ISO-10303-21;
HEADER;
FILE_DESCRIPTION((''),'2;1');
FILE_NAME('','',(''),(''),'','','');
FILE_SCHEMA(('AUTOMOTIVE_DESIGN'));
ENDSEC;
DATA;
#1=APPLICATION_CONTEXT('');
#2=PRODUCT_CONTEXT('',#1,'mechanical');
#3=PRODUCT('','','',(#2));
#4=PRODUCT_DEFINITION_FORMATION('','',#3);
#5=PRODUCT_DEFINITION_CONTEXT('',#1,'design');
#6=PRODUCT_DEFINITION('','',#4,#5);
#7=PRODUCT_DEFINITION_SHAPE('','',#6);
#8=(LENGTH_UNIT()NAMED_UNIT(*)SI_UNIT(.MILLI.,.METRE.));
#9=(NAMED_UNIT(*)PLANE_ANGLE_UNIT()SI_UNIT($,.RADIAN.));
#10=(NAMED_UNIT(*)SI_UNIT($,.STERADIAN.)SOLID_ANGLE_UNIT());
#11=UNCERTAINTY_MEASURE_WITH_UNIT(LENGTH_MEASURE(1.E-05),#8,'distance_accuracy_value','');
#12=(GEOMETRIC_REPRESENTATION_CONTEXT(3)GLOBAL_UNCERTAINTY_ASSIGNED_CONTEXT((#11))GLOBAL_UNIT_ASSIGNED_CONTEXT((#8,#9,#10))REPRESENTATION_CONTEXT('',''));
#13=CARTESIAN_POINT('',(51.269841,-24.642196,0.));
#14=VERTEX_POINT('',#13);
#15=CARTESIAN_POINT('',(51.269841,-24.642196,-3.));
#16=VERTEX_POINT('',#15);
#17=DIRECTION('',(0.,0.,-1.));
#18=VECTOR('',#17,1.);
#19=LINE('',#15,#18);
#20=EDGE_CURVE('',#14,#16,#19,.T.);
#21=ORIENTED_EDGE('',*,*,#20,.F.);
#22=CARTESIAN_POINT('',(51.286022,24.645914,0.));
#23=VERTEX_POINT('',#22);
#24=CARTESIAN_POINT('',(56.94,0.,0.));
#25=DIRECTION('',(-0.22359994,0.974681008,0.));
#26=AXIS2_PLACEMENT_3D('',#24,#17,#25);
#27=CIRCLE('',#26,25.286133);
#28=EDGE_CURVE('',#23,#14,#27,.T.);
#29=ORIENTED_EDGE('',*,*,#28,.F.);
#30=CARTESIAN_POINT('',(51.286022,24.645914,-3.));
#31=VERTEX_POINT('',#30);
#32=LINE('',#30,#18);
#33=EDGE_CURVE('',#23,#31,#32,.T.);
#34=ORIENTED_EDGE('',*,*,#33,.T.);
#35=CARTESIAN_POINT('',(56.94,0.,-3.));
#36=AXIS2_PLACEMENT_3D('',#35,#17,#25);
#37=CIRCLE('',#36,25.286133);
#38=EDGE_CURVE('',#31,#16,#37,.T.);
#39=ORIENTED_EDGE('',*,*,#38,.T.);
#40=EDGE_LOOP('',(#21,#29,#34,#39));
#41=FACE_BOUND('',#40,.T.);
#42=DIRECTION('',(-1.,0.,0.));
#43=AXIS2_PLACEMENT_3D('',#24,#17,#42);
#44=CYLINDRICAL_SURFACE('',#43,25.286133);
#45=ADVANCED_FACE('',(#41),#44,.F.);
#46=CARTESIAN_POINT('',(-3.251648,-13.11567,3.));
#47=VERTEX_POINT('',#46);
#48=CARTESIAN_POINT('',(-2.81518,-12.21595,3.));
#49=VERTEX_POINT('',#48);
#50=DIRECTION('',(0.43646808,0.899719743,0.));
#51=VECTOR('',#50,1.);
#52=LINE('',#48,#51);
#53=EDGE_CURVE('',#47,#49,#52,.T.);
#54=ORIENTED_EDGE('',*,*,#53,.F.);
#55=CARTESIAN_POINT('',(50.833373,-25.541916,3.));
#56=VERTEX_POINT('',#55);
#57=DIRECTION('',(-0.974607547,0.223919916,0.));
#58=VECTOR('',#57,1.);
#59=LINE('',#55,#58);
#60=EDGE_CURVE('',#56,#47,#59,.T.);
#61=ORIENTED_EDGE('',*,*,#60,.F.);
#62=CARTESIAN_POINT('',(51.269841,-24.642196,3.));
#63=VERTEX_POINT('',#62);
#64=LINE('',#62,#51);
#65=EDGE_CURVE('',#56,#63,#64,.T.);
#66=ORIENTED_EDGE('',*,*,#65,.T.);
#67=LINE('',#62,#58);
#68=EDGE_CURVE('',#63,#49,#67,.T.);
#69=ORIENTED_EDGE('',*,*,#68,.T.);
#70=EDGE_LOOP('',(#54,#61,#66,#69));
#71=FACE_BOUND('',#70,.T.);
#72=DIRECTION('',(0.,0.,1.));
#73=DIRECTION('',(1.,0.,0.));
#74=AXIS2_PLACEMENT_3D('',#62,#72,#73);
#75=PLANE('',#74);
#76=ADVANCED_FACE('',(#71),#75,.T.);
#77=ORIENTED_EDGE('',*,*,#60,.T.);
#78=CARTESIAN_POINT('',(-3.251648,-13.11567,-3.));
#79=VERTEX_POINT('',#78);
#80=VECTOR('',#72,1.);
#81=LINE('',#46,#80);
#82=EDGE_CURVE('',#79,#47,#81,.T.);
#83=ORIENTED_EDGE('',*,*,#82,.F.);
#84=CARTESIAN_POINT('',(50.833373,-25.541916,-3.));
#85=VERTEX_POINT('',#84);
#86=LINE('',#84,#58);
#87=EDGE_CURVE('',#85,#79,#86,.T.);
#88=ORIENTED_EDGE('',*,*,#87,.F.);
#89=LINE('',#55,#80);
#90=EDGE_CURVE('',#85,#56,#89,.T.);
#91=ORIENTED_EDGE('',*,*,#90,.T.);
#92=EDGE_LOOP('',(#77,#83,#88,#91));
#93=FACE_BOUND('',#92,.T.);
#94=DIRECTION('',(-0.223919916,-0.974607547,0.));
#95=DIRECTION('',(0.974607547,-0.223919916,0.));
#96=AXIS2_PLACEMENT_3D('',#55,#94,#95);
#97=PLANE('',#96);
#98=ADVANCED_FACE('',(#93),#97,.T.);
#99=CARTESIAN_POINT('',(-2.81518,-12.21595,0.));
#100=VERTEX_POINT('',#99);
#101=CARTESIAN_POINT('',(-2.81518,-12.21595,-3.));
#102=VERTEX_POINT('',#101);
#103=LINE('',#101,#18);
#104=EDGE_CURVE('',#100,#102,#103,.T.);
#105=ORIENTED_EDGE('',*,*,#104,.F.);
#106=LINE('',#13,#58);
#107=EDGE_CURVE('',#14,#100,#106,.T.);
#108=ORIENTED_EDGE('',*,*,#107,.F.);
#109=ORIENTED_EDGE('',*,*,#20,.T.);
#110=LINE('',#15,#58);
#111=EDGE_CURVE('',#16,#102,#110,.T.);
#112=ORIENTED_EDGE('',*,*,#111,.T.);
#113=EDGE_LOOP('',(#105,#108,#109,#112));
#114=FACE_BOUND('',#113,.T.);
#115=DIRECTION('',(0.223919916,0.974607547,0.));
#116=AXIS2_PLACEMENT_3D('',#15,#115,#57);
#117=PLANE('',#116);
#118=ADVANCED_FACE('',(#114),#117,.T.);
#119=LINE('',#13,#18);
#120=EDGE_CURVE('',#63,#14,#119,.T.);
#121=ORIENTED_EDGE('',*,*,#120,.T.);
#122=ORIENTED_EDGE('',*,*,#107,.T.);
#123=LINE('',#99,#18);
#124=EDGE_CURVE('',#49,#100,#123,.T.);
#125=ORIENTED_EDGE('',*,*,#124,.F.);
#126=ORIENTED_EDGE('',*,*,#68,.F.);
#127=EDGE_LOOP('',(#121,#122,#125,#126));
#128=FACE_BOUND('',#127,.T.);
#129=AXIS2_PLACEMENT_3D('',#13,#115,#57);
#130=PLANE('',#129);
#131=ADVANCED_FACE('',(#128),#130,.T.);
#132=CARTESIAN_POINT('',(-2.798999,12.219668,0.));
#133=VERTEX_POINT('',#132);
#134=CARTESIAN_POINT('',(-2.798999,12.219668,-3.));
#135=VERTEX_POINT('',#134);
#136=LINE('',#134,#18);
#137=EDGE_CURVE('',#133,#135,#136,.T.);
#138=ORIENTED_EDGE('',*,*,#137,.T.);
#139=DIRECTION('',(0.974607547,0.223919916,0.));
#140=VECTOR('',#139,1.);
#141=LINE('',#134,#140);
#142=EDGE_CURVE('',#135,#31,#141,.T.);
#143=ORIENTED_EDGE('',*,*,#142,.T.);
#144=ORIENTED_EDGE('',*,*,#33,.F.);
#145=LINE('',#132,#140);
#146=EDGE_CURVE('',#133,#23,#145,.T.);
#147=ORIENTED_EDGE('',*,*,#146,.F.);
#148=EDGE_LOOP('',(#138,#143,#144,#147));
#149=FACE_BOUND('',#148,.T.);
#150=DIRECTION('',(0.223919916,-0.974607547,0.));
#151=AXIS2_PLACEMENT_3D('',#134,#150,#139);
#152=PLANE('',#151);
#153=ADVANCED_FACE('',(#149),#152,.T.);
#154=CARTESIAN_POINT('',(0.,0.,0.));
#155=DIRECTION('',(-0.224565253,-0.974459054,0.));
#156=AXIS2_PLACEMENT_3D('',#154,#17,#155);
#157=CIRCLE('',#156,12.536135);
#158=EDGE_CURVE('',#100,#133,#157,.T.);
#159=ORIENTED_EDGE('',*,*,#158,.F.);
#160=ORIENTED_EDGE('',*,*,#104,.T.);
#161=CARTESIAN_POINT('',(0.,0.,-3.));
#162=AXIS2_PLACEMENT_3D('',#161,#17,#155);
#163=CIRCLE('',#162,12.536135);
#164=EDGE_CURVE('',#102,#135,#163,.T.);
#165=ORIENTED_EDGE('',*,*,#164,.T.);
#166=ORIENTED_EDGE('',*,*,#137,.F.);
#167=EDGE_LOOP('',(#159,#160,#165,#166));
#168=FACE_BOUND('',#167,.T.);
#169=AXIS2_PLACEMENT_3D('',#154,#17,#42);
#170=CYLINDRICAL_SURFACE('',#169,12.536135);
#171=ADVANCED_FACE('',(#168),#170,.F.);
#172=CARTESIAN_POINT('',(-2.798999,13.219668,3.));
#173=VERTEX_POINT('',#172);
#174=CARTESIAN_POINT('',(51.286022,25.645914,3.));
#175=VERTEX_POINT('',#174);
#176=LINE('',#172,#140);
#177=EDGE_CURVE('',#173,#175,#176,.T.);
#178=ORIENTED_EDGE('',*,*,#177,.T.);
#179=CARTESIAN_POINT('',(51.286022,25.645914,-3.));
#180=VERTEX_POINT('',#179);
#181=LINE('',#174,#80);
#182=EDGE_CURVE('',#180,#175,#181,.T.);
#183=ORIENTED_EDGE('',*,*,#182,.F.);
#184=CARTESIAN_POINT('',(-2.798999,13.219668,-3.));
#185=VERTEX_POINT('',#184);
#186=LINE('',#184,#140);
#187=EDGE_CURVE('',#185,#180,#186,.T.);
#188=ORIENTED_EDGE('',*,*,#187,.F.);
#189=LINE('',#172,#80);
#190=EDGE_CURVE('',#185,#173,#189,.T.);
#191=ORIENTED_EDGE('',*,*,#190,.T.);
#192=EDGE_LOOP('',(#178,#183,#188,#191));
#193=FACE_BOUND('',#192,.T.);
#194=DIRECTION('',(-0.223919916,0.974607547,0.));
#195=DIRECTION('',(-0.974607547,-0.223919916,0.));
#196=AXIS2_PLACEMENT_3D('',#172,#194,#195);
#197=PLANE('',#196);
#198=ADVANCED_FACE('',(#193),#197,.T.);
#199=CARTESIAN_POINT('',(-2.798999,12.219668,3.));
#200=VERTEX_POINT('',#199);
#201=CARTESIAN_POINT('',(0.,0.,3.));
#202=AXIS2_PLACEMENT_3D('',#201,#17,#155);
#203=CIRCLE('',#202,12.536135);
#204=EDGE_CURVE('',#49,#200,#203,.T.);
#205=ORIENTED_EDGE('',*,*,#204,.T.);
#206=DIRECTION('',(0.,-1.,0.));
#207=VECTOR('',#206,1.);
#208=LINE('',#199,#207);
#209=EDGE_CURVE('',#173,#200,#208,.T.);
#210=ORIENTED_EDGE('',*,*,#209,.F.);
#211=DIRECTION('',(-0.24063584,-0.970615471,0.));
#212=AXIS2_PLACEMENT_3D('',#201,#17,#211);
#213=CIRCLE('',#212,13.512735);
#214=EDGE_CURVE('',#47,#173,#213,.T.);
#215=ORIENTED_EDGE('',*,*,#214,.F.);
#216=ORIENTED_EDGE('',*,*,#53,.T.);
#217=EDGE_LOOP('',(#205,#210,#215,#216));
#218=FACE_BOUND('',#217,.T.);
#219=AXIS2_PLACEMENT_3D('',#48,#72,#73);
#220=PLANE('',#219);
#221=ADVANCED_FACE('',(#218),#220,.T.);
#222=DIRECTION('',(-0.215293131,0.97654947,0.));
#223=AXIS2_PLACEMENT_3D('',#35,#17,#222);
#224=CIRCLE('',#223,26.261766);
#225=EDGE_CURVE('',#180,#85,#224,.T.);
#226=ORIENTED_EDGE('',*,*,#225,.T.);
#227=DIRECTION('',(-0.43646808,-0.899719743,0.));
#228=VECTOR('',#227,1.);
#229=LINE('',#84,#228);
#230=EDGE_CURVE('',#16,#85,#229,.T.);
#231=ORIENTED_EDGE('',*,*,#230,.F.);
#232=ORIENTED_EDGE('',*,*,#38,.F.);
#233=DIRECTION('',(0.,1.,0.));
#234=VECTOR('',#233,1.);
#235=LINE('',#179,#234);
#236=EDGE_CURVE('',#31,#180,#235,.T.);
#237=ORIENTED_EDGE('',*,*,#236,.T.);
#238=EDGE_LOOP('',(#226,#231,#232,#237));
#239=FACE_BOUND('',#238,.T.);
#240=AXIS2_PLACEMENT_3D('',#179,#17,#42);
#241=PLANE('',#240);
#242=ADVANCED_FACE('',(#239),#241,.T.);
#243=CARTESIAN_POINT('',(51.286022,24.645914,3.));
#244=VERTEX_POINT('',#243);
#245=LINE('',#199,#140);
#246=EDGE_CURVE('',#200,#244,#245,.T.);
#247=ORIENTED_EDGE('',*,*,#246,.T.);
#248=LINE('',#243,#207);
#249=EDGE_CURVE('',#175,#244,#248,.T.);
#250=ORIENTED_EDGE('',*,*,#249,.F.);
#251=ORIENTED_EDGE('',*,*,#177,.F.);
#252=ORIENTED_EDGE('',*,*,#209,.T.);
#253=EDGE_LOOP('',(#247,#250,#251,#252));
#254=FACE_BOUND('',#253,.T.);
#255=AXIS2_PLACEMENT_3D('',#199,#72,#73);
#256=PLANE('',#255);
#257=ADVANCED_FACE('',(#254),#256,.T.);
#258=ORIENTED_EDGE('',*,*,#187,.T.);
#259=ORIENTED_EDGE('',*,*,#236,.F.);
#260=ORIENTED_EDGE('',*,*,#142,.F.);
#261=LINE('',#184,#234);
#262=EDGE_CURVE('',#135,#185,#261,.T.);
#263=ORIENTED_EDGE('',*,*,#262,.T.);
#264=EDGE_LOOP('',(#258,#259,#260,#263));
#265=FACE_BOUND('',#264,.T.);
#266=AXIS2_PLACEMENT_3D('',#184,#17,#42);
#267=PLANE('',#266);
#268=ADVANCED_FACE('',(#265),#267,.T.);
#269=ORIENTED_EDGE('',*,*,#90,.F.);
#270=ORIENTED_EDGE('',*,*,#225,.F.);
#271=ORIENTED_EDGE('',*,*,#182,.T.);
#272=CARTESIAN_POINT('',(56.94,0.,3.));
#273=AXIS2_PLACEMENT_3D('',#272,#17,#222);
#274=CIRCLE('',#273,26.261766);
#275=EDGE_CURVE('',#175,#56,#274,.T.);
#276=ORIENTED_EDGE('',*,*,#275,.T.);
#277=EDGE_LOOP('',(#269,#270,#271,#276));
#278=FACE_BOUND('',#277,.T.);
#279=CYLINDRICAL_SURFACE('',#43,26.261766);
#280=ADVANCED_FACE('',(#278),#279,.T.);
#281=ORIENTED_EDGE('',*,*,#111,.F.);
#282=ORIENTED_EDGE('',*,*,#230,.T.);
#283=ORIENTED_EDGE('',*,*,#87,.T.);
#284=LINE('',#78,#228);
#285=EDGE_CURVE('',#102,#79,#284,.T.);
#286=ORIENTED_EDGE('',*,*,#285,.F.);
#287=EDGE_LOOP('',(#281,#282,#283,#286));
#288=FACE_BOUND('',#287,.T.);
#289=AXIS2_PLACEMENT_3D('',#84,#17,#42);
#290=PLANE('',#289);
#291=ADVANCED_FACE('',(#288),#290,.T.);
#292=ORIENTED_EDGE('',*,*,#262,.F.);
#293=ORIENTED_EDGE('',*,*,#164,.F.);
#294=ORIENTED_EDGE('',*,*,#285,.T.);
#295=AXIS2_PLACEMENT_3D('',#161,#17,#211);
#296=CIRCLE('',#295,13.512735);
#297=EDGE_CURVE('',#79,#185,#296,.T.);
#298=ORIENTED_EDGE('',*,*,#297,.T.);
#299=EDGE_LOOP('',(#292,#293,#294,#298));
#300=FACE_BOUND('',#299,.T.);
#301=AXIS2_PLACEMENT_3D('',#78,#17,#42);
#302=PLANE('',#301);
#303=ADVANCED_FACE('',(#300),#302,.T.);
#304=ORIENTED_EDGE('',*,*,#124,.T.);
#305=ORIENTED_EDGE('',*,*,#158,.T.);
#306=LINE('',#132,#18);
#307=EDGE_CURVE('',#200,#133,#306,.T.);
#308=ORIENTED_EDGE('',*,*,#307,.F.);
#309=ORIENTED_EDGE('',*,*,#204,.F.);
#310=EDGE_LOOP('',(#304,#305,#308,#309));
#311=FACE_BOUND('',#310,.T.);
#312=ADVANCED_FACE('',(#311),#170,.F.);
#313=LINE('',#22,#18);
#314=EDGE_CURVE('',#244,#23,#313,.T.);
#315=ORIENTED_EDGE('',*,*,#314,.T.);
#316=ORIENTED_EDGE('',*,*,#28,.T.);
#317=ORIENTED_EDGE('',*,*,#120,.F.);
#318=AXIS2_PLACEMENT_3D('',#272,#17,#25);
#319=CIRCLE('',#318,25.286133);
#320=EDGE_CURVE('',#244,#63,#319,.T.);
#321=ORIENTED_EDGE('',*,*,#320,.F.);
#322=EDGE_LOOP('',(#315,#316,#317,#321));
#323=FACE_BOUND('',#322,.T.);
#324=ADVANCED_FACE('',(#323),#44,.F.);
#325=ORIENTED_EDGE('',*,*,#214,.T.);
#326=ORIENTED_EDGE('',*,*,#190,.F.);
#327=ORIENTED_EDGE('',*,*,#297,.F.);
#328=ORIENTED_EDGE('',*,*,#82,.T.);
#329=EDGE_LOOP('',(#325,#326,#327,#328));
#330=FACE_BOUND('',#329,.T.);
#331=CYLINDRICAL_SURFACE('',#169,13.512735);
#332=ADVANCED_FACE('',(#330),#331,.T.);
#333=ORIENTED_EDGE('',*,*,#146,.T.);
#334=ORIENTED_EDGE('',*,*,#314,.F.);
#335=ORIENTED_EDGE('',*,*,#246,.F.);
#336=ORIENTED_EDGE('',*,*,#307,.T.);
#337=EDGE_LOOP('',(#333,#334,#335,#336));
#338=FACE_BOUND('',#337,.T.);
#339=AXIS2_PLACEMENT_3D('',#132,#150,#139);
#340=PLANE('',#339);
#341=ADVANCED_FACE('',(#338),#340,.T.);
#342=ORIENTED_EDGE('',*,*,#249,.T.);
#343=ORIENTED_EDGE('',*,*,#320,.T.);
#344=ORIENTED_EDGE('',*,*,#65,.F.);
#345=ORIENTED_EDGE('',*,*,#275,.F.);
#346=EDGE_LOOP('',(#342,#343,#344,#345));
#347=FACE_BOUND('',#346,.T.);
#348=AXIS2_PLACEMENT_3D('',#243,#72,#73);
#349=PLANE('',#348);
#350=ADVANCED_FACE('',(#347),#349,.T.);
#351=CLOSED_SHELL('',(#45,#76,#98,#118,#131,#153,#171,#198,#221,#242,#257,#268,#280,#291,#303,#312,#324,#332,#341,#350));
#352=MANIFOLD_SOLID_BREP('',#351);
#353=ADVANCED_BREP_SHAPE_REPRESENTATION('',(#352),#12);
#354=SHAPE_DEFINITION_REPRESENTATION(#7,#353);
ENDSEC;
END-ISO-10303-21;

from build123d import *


with BuildPart() as part:
    # Sweep1: sweep along a path in Sketch1
    with BuildLine(Plane.XY) as sweep1_path:
        Line((-2.798998946, 12.182594342), (51.286022129, 24.608840571))
        ThreePointArc((51.286022129, 24.608840571), (82.19, 0), (51.286022129, -24.608840571))
        Line((51.286022129, -24.608840571), (-2.798998946, -12.182594342))
        ThreePointArc((-2.798998946, -12.182594342), (-12.5, 0), (-2.798998946, 12.182594342))
    # Sketch2 → Sweep1 (sweep)
    with BuildSketch(Plane(origin=(-2.798998946, 0, 0), x_dir=(0, 0, -1), z_dir=(1, 0, 0))):
        Polygon((0, 12.21966763), (-3, 12.21966763), (-3, 13.21966763), (3, 13.21966763), (3, 12.21966763), align=None)
    sweep(path=sweep1_path.line)


solid = part.part
